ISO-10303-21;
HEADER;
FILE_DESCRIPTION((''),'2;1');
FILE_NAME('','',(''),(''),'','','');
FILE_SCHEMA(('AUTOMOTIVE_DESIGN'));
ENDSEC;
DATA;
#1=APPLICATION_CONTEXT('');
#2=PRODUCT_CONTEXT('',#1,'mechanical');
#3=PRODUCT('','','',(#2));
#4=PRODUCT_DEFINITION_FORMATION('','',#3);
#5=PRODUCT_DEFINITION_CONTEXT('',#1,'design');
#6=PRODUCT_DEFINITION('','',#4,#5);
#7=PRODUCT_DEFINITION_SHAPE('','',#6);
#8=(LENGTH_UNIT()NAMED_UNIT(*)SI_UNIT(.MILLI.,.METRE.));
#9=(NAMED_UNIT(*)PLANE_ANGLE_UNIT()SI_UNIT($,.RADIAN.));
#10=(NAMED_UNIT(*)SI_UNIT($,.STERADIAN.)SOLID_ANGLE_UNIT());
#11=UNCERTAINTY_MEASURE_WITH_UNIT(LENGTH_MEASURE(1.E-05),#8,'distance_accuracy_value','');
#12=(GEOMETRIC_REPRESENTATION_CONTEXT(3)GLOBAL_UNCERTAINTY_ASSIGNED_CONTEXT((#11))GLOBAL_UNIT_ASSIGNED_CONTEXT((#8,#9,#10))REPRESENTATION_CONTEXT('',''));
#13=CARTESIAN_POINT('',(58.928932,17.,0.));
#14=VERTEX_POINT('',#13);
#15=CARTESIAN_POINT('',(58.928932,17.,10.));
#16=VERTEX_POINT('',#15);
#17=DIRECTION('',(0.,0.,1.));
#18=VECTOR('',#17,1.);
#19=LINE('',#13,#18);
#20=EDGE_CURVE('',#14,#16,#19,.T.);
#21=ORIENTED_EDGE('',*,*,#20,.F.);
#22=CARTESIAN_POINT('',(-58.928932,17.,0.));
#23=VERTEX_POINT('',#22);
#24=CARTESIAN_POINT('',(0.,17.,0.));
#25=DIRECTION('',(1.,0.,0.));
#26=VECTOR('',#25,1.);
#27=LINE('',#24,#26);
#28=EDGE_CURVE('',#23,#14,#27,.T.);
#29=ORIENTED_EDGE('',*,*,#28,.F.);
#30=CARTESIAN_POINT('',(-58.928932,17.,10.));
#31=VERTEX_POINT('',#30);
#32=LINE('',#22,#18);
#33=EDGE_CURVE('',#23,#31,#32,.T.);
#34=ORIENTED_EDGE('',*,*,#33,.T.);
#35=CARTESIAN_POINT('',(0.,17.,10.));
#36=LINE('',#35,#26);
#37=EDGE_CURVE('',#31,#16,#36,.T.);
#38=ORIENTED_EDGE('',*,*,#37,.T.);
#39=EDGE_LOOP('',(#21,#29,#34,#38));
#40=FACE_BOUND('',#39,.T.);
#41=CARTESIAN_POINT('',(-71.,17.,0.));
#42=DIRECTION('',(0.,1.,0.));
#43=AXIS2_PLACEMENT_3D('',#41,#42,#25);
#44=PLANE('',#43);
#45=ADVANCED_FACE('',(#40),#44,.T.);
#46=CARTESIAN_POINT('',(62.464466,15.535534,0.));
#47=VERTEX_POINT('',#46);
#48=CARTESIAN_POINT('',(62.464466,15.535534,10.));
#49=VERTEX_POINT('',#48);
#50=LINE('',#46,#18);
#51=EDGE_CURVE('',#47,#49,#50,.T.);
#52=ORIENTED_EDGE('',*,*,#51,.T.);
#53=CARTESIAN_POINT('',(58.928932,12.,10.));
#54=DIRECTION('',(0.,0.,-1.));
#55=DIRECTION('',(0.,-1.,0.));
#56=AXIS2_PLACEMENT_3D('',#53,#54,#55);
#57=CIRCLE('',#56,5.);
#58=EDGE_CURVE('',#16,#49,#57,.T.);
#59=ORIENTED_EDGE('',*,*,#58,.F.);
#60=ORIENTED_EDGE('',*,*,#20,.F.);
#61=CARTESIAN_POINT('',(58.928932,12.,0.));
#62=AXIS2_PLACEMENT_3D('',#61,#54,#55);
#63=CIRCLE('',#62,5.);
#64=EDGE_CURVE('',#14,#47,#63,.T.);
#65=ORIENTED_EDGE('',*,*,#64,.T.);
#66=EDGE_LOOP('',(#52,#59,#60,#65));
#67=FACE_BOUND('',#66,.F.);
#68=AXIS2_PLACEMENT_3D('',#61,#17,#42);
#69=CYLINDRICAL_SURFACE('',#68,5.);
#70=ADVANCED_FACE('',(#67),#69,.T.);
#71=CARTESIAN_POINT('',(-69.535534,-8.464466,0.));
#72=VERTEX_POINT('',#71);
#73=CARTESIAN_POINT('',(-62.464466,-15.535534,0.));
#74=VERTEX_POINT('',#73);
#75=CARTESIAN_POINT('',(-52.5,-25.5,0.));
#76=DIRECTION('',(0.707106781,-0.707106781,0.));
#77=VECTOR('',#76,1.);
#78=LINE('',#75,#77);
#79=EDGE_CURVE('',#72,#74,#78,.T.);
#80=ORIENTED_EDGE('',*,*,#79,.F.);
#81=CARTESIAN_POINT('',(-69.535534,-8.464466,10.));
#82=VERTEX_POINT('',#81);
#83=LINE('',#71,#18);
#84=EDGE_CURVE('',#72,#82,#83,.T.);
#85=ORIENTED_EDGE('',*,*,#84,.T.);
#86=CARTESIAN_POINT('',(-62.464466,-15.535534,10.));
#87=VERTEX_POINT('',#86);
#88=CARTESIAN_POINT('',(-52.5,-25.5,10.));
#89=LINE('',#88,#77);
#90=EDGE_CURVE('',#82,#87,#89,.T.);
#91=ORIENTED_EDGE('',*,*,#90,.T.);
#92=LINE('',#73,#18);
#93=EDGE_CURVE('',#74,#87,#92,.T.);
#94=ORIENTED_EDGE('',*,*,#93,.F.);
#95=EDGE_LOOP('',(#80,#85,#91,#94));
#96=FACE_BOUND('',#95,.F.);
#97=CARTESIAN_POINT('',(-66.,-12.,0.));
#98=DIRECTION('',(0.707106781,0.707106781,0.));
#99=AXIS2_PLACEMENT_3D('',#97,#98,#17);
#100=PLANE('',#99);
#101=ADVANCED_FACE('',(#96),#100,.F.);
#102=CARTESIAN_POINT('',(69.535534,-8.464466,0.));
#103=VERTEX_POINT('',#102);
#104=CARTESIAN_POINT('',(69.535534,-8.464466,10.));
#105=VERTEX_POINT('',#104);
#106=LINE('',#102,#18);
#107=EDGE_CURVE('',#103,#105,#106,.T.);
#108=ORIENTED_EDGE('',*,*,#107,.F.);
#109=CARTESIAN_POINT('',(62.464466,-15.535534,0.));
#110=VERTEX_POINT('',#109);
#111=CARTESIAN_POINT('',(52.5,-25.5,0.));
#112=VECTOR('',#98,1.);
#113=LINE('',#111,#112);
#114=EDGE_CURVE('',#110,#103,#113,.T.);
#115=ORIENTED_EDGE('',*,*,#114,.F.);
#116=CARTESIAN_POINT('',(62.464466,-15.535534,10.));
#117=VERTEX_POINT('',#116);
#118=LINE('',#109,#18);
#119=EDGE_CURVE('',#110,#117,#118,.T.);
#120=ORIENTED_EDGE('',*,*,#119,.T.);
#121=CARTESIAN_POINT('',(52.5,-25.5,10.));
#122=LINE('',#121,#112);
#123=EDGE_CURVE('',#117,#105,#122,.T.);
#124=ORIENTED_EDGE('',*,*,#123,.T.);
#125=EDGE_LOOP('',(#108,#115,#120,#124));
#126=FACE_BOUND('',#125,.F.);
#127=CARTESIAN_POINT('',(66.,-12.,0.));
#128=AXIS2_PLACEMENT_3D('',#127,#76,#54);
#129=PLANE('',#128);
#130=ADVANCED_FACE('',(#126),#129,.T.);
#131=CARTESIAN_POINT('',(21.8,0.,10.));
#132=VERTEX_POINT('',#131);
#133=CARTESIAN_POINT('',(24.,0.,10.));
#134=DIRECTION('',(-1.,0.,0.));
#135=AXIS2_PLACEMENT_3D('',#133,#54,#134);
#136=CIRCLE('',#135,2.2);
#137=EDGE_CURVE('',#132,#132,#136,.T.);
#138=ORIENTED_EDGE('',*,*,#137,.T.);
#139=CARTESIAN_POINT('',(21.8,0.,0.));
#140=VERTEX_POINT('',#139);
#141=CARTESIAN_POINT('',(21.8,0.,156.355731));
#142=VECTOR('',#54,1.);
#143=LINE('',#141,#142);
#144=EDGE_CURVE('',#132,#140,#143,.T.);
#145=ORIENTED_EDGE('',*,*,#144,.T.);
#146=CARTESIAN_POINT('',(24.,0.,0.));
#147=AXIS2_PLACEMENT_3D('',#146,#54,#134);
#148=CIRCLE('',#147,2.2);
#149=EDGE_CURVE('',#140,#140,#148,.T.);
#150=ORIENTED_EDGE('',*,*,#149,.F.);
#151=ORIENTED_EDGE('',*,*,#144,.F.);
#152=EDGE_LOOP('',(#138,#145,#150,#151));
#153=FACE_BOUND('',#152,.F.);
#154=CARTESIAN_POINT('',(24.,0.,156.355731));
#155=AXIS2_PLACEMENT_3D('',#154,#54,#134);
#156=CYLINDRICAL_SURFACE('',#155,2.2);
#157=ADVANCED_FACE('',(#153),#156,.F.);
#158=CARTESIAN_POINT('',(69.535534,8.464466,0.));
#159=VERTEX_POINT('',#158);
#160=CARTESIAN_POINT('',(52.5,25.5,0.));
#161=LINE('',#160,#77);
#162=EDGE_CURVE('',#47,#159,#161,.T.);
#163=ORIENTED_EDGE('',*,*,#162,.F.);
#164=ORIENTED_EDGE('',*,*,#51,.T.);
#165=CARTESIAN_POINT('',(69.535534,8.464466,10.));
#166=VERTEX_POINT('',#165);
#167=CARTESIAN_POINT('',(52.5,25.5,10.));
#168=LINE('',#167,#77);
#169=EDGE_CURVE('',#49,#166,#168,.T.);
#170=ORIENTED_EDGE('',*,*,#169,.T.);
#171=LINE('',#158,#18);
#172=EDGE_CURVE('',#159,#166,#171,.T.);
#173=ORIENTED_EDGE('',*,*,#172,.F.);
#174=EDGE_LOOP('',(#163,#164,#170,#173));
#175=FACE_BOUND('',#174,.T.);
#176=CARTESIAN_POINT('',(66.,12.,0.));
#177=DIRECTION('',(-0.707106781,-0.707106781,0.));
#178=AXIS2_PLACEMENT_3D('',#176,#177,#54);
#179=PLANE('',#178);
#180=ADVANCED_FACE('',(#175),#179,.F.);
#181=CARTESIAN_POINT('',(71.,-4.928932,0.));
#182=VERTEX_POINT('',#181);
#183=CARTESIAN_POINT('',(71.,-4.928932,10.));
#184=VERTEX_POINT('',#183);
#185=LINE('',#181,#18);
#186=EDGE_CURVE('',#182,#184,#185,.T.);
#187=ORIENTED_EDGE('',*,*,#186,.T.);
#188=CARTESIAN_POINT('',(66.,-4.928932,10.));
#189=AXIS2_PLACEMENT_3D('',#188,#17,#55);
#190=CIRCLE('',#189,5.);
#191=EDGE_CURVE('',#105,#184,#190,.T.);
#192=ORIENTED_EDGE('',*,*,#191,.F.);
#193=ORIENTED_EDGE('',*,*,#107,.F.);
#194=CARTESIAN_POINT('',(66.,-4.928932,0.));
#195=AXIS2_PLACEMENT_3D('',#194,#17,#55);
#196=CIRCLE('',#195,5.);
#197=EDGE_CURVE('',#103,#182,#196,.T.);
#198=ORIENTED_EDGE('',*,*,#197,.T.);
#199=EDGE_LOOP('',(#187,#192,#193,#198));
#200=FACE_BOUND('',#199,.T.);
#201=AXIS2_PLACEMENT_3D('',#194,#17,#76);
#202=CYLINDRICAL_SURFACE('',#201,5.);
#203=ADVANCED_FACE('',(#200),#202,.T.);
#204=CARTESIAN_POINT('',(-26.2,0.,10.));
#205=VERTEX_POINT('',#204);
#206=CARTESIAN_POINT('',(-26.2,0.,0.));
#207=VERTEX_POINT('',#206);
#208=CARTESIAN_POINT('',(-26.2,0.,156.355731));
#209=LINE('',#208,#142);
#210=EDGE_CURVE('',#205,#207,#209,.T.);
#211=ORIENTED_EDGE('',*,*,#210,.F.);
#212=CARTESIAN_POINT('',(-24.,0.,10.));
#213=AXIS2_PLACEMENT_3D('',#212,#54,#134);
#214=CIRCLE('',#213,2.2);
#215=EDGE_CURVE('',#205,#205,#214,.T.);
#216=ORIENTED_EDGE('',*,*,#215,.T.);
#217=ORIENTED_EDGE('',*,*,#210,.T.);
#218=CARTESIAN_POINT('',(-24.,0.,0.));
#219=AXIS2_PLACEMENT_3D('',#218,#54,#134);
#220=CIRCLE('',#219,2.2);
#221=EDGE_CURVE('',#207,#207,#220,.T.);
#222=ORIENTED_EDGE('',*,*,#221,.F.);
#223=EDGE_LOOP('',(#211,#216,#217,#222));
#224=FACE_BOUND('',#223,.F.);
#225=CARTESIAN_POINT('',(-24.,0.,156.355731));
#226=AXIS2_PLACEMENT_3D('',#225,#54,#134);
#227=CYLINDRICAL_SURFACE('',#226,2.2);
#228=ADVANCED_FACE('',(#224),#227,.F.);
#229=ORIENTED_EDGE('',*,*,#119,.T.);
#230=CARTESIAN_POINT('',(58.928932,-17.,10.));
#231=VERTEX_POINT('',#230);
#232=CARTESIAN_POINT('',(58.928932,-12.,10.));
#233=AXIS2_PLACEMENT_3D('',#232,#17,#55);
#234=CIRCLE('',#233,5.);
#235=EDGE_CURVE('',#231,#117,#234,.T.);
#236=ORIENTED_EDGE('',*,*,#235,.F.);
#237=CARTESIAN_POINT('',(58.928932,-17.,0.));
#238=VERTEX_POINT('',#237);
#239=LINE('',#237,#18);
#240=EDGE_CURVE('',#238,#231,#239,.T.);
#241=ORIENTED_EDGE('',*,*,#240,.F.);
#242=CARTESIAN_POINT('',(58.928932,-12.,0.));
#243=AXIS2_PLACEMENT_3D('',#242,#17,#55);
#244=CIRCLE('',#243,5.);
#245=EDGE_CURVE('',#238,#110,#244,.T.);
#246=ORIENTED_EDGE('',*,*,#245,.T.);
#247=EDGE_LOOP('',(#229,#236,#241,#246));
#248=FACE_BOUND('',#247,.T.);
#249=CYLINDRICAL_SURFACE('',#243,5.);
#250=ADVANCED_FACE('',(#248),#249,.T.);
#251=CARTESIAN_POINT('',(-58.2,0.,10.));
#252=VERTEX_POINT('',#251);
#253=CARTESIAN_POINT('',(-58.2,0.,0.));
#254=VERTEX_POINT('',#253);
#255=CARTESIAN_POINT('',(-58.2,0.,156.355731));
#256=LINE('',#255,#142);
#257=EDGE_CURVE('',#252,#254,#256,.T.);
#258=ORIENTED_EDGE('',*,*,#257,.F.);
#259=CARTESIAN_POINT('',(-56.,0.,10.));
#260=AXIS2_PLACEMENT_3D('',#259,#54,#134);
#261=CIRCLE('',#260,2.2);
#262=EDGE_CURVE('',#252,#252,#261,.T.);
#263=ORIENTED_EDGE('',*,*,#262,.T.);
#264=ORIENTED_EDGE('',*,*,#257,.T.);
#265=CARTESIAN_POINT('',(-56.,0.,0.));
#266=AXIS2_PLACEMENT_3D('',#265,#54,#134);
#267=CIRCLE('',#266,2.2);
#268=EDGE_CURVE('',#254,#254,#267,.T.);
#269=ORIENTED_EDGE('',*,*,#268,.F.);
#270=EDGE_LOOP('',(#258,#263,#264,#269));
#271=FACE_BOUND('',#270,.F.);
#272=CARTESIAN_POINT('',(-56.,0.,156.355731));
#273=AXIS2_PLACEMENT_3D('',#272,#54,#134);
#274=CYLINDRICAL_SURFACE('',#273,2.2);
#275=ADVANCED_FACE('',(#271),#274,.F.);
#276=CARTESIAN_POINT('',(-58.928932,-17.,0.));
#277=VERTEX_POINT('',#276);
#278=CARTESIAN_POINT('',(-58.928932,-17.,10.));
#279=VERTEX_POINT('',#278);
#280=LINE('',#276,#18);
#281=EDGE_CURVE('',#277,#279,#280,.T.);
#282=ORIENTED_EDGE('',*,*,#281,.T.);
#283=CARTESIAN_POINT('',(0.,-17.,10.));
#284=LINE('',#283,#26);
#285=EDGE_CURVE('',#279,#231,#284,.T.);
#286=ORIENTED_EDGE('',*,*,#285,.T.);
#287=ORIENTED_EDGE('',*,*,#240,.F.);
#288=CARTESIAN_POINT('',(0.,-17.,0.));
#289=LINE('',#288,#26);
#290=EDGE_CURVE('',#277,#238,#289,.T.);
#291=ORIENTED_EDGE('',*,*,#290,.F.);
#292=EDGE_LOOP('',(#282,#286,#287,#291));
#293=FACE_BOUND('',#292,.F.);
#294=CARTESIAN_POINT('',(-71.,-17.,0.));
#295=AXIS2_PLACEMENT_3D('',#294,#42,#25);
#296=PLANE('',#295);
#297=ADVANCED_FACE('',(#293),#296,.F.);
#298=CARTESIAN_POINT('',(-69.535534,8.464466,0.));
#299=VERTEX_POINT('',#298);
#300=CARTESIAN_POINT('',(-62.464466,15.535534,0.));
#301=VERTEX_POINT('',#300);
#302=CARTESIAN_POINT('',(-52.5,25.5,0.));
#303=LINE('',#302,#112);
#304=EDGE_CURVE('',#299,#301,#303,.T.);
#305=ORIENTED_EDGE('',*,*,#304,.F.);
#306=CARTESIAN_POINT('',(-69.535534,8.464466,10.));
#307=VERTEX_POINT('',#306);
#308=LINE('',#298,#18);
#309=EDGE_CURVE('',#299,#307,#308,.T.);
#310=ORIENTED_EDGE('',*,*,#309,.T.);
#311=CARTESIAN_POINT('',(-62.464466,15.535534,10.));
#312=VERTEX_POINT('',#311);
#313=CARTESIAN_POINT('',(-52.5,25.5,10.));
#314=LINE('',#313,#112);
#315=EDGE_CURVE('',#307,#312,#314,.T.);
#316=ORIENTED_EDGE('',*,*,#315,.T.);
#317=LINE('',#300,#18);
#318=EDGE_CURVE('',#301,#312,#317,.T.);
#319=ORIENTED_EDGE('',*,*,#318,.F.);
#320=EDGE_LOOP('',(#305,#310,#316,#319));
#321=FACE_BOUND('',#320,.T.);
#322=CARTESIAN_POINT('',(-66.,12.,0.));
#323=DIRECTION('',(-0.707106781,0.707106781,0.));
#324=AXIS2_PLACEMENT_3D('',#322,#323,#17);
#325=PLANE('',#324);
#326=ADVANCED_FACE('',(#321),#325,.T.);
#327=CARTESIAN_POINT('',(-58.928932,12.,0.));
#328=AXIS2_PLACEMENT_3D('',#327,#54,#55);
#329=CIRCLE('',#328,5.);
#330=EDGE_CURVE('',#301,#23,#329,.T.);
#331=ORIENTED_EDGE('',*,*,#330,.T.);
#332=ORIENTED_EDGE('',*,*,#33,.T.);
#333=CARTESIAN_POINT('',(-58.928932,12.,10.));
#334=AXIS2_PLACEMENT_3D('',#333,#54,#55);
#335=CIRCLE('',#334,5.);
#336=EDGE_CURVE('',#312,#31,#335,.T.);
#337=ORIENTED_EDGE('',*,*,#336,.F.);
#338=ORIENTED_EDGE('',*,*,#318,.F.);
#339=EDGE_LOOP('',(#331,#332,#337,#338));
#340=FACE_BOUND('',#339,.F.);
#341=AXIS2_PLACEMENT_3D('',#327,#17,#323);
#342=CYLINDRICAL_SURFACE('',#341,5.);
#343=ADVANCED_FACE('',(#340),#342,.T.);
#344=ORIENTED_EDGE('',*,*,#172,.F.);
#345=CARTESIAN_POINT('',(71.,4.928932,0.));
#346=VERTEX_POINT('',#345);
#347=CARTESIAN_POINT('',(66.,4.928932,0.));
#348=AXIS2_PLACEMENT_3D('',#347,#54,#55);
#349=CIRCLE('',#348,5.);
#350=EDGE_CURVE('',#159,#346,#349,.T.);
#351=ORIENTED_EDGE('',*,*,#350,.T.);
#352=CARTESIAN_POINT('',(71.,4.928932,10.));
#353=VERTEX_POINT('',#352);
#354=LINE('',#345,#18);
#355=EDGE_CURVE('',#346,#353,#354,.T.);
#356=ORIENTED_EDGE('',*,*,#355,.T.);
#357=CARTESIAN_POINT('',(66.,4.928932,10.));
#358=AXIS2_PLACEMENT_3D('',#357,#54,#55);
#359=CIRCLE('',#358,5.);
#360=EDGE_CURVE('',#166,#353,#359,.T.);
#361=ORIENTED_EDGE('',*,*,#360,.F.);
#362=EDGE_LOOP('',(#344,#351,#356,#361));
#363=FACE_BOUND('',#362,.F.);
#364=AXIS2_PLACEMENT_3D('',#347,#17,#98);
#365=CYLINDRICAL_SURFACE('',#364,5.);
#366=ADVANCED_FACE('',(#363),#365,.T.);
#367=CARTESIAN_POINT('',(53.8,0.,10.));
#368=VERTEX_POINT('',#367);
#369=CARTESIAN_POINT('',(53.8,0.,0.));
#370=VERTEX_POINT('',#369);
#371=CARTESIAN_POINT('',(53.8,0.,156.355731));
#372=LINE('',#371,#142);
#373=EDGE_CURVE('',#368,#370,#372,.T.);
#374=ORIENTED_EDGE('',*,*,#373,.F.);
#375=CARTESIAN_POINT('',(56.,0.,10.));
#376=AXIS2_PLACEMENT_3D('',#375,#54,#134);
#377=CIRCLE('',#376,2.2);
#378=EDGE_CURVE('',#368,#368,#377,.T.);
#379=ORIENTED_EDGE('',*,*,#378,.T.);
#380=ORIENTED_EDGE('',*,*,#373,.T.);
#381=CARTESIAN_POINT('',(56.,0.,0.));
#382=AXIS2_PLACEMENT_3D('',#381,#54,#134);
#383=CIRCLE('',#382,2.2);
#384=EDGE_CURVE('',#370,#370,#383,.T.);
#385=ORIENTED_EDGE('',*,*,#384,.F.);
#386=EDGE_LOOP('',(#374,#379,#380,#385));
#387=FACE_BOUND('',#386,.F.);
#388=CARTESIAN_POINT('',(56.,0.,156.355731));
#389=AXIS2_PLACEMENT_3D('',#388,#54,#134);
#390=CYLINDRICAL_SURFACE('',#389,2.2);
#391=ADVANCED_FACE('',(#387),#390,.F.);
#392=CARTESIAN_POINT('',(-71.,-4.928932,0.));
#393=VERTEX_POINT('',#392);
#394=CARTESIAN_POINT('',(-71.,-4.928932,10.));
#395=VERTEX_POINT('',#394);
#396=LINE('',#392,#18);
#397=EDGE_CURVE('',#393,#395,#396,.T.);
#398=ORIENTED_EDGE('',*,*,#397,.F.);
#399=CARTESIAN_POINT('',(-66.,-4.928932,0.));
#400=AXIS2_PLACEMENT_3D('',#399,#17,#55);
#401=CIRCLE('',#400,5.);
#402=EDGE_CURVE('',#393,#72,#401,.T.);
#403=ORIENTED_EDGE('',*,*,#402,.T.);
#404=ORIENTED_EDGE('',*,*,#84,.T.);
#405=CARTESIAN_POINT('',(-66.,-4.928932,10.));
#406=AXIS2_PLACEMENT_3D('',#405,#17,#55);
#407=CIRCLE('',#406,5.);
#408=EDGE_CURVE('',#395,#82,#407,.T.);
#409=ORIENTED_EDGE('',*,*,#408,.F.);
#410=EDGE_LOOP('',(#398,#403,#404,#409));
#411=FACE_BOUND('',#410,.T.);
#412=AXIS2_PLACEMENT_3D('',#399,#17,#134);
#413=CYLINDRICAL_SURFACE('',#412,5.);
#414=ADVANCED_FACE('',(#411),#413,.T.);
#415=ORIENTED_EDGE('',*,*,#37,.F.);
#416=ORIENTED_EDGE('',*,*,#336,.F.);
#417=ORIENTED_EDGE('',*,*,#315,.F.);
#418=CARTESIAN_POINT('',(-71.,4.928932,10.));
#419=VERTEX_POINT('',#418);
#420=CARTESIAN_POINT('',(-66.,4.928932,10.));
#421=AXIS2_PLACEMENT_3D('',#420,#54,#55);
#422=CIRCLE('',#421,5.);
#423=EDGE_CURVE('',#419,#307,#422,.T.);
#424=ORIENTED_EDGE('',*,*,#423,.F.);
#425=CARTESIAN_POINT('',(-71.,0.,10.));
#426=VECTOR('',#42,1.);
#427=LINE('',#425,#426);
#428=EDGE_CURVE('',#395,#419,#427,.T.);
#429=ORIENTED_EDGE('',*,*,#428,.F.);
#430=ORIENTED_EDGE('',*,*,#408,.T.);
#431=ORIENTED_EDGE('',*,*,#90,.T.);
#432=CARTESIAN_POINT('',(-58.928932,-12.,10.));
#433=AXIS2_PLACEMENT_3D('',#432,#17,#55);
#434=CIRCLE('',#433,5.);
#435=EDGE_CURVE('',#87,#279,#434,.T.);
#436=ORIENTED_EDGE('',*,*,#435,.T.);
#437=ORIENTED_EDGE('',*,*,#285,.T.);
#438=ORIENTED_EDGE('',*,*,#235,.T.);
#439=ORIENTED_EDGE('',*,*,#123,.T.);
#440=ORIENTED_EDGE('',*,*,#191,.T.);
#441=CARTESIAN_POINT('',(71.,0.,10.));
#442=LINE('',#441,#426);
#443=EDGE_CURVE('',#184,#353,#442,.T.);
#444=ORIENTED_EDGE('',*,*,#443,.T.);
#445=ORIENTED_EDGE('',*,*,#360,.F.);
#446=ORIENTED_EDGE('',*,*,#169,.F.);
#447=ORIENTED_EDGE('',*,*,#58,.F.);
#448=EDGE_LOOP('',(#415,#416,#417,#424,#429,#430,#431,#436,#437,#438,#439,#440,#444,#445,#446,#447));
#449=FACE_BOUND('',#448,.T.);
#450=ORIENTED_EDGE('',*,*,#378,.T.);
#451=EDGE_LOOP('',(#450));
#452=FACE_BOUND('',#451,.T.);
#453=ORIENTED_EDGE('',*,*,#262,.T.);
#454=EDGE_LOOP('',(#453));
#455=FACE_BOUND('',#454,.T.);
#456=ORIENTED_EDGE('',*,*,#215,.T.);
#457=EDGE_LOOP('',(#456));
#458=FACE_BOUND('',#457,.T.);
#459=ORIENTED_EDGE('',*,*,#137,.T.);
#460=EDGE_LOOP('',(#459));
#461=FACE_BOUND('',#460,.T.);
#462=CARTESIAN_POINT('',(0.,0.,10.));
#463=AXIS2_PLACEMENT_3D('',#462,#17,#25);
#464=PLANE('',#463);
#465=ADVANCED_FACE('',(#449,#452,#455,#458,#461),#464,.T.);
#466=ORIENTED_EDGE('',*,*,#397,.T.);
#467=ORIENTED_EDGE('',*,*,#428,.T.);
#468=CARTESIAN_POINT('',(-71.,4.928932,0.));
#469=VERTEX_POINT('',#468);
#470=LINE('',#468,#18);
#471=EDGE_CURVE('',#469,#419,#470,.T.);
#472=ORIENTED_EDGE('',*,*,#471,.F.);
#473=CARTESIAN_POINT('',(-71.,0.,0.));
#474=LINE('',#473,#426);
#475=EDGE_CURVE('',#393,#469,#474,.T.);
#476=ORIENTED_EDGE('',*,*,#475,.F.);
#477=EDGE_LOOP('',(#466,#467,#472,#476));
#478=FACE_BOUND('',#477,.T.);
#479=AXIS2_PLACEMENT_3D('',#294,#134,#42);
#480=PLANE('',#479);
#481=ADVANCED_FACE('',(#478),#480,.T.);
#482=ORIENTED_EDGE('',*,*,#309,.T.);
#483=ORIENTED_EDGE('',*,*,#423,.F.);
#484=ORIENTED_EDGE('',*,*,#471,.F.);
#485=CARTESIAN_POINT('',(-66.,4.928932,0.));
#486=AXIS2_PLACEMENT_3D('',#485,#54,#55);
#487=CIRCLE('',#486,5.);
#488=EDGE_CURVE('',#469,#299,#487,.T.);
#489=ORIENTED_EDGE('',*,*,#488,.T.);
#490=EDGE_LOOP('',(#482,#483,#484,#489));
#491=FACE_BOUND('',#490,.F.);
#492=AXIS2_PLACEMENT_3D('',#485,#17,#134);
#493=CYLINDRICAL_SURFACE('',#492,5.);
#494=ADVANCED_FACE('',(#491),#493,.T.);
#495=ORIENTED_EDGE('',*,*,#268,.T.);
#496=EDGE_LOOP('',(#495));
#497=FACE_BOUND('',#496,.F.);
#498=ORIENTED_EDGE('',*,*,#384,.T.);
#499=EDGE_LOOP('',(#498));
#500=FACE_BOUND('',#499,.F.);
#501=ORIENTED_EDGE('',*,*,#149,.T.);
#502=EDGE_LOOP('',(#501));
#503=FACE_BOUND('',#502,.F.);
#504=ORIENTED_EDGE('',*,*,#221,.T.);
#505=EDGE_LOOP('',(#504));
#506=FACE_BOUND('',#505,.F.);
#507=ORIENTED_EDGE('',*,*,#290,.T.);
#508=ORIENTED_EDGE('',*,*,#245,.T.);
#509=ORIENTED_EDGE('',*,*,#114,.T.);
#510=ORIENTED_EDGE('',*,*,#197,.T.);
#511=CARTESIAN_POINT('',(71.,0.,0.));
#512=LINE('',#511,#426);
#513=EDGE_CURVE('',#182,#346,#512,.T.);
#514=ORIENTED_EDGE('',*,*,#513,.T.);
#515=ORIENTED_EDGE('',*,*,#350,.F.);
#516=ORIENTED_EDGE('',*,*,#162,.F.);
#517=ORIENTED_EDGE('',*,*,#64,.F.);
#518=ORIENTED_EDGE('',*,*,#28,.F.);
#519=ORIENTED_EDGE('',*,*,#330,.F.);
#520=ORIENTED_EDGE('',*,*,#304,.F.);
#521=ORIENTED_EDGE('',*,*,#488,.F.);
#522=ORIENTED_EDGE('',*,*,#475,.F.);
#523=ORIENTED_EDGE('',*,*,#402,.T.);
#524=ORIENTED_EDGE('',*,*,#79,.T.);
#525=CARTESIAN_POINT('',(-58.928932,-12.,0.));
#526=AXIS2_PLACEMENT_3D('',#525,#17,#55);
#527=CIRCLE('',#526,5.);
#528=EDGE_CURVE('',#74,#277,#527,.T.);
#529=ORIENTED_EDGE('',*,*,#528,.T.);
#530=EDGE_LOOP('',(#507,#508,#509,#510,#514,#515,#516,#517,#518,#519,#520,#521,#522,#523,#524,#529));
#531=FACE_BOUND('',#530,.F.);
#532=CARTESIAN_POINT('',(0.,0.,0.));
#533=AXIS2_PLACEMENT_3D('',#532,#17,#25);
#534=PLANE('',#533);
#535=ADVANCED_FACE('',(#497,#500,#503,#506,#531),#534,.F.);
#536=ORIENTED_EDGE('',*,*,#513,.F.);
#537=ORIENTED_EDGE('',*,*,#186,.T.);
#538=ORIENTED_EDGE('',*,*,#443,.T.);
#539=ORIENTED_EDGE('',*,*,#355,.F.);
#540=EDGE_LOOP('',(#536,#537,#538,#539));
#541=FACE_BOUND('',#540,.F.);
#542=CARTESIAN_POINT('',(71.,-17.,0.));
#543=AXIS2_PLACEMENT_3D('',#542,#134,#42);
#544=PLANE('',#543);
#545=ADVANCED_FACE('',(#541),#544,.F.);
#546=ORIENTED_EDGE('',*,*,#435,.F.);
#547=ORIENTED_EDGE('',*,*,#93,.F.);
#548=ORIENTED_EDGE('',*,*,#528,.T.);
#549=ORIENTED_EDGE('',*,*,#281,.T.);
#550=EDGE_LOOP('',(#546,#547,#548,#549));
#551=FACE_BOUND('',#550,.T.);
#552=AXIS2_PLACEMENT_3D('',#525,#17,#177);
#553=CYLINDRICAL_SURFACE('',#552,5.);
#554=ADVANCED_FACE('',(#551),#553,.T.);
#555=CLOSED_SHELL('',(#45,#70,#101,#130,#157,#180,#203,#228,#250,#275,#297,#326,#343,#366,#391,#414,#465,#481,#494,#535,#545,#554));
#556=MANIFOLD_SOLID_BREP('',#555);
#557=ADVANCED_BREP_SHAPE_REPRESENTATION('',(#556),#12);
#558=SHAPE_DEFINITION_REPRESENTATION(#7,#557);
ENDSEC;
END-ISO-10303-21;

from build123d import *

# Parameters (mm, degrees)
F0_W     = 142
F0_H     = 34
F1_DEPTH = 10
F3_D     = 4.4
F4_SIZE  = 10
F5_R     = 5


with BuildPart() as f1:
    # F0 (on Top) → F1 (new body)
    with BuildSketch(Plane.XY):
        Rectangle(F0_W, F0_H)
    extrude(amount=F1_DEPTH)

    # F3 (through all)
    with Locations(Plane.XY.offset(10)):
        with Locations((-56, 0), (-24, 0), (24, 0), (56, 0)):
            Hole(F3_D / 2)

    # F4
    f4_edges = [f1.edges().sort_by_distance(p)[0] for p in [
        (-71, -17, 5),
        (71, -17, 5),
        (71, 17, 5),
        (-71, 17, 5),
    ]]
    chamfer(f4_edges, length=F4_SIZE)

    # F5
    f5_edges = [f1.edges().sort_by_distance(p)[0] for p in [
        (-61, -17, 5),
        (-71, -7, 5),
        (61, -17, 5),
        (71, -7, 5),
        (71, 7, 5),
        (61, 17, 5),
        (-61, 17, 5),
        (-71, 7, 5),
    ]]
    fillet(f5_edges, radius=F5_R)


solid = f1.part
